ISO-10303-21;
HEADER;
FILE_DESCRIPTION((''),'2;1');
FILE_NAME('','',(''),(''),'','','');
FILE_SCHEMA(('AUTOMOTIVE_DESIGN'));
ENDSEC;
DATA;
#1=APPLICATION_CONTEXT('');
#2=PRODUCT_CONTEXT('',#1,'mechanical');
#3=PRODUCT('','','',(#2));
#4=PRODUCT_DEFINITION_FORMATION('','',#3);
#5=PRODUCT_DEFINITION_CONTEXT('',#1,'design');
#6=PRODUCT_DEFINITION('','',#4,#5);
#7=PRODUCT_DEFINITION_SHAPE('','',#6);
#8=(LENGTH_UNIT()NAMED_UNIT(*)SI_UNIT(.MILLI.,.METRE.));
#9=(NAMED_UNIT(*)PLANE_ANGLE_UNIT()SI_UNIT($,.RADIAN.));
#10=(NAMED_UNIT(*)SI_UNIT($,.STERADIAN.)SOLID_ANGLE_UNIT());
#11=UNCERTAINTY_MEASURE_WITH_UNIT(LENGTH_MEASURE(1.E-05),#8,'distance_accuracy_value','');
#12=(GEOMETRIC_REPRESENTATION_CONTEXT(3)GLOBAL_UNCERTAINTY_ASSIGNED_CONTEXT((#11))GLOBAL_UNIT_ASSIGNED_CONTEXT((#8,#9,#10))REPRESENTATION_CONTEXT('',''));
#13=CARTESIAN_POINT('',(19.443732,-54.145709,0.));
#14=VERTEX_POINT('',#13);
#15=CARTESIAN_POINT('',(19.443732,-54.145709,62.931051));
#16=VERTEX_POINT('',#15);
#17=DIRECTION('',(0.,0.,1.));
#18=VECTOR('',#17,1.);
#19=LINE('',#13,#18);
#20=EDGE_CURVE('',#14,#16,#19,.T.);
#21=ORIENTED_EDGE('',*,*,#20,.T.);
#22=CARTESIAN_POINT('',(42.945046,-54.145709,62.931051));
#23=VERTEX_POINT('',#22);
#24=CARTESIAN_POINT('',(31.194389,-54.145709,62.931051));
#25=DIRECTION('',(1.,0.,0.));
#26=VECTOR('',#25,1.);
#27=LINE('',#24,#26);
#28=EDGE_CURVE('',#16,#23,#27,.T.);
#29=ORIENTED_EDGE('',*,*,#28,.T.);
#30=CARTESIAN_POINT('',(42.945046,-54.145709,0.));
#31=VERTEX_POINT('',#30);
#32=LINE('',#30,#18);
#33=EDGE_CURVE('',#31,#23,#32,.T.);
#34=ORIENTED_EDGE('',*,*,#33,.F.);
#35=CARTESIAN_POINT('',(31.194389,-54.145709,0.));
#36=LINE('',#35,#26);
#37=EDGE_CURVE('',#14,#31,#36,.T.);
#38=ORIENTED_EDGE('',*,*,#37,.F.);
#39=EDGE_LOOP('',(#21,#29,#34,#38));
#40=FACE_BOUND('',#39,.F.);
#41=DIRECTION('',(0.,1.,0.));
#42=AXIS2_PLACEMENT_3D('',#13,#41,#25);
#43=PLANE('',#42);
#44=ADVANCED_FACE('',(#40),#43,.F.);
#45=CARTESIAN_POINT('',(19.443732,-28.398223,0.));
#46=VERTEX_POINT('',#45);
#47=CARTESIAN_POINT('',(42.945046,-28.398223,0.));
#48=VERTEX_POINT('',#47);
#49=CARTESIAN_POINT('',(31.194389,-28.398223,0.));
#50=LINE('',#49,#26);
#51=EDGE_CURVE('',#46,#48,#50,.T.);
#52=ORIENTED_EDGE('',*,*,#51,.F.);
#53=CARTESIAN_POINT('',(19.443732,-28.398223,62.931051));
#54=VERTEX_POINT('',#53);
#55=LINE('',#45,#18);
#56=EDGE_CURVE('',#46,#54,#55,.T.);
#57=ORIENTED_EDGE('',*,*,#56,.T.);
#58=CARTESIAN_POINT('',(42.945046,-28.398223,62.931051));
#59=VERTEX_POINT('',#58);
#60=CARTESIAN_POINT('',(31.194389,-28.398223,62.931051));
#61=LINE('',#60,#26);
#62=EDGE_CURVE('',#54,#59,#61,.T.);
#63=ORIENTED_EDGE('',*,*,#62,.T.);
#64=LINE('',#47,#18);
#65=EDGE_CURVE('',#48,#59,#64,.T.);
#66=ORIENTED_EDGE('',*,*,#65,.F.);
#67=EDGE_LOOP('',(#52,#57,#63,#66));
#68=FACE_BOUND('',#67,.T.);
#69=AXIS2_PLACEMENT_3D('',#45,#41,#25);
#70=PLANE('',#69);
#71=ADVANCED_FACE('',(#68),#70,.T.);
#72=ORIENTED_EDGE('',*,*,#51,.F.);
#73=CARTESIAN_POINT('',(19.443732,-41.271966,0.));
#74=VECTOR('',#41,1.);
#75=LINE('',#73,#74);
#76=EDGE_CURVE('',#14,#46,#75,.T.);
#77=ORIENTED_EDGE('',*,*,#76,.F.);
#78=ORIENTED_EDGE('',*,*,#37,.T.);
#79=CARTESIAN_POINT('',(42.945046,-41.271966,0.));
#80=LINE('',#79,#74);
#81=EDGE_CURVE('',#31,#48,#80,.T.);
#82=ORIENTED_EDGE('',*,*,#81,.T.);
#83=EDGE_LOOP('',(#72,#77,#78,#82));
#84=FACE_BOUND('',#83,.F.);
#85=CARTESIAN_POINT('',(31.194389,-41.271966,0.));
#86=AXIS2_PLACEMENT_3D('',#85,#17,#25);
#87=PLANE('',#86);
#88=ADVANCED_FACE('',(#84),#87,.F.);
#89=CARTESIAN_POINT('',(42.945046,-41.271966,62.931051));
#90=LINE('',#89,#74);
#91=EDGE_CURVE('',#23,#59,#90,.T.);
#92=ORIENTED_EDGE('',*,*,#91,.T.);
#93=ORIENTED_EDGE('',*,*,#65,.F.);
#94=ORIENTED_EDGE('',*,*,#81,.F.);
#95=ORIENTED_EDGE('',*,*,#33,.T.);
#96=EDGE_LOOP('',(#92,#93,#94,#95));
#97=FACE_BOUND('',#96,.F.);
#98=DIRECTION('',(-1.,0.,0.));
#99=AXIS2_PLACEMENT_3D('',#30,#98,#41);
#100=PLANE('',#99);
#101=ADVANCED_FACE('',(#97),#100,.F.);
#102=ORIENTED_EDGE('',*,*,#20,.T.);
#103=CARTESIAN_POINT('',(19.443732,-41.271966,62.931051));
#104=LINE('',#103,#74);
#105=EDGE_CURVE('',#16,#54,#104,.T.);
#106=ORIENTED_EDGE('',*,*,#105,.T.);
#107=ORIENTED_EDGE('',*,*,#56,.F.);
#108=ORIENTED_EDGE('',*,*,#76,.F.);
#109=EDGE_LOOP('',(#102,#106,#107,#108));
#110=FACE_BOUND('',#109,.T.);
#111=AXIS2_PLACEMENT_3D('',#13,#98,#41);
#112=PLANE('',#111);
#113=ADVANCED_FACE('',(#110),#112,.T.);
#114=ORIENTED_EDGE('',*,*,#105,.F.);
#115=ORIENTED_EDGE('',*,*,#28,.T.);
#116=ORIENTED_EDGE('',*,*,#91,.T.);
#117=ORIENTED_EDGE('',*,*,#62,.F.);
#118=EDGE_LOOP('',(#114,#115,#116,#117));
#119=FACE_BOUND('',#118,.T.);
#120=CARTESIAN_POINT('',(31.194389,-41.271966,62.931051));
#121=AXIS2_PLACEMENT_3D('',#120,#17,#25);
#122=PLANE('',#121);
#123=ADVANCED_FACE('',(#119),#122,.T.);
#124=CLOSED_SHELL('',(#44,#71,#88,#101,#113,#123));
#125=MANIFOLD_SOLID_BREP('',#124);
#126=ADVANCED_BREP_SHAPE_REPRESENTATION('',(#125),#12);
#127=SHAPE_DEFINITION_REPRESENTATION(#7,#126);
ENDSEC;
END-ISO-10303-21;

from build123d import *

# Parameters (mm, degrees)
F1_W     = 23.501314
F1_H     = 25.747486
F2_DEPTH = 62.931051


with BuildPart() as f2:
    # F1 (on face) → F2 (new body)
    with BuildSketch(Plane.XY):
        with Locations((31.194389, -41.271966)):
            Rectangle(F1_W, F1_H)
    extrude(amount=F2_DEPTH)


solid = f2.part
